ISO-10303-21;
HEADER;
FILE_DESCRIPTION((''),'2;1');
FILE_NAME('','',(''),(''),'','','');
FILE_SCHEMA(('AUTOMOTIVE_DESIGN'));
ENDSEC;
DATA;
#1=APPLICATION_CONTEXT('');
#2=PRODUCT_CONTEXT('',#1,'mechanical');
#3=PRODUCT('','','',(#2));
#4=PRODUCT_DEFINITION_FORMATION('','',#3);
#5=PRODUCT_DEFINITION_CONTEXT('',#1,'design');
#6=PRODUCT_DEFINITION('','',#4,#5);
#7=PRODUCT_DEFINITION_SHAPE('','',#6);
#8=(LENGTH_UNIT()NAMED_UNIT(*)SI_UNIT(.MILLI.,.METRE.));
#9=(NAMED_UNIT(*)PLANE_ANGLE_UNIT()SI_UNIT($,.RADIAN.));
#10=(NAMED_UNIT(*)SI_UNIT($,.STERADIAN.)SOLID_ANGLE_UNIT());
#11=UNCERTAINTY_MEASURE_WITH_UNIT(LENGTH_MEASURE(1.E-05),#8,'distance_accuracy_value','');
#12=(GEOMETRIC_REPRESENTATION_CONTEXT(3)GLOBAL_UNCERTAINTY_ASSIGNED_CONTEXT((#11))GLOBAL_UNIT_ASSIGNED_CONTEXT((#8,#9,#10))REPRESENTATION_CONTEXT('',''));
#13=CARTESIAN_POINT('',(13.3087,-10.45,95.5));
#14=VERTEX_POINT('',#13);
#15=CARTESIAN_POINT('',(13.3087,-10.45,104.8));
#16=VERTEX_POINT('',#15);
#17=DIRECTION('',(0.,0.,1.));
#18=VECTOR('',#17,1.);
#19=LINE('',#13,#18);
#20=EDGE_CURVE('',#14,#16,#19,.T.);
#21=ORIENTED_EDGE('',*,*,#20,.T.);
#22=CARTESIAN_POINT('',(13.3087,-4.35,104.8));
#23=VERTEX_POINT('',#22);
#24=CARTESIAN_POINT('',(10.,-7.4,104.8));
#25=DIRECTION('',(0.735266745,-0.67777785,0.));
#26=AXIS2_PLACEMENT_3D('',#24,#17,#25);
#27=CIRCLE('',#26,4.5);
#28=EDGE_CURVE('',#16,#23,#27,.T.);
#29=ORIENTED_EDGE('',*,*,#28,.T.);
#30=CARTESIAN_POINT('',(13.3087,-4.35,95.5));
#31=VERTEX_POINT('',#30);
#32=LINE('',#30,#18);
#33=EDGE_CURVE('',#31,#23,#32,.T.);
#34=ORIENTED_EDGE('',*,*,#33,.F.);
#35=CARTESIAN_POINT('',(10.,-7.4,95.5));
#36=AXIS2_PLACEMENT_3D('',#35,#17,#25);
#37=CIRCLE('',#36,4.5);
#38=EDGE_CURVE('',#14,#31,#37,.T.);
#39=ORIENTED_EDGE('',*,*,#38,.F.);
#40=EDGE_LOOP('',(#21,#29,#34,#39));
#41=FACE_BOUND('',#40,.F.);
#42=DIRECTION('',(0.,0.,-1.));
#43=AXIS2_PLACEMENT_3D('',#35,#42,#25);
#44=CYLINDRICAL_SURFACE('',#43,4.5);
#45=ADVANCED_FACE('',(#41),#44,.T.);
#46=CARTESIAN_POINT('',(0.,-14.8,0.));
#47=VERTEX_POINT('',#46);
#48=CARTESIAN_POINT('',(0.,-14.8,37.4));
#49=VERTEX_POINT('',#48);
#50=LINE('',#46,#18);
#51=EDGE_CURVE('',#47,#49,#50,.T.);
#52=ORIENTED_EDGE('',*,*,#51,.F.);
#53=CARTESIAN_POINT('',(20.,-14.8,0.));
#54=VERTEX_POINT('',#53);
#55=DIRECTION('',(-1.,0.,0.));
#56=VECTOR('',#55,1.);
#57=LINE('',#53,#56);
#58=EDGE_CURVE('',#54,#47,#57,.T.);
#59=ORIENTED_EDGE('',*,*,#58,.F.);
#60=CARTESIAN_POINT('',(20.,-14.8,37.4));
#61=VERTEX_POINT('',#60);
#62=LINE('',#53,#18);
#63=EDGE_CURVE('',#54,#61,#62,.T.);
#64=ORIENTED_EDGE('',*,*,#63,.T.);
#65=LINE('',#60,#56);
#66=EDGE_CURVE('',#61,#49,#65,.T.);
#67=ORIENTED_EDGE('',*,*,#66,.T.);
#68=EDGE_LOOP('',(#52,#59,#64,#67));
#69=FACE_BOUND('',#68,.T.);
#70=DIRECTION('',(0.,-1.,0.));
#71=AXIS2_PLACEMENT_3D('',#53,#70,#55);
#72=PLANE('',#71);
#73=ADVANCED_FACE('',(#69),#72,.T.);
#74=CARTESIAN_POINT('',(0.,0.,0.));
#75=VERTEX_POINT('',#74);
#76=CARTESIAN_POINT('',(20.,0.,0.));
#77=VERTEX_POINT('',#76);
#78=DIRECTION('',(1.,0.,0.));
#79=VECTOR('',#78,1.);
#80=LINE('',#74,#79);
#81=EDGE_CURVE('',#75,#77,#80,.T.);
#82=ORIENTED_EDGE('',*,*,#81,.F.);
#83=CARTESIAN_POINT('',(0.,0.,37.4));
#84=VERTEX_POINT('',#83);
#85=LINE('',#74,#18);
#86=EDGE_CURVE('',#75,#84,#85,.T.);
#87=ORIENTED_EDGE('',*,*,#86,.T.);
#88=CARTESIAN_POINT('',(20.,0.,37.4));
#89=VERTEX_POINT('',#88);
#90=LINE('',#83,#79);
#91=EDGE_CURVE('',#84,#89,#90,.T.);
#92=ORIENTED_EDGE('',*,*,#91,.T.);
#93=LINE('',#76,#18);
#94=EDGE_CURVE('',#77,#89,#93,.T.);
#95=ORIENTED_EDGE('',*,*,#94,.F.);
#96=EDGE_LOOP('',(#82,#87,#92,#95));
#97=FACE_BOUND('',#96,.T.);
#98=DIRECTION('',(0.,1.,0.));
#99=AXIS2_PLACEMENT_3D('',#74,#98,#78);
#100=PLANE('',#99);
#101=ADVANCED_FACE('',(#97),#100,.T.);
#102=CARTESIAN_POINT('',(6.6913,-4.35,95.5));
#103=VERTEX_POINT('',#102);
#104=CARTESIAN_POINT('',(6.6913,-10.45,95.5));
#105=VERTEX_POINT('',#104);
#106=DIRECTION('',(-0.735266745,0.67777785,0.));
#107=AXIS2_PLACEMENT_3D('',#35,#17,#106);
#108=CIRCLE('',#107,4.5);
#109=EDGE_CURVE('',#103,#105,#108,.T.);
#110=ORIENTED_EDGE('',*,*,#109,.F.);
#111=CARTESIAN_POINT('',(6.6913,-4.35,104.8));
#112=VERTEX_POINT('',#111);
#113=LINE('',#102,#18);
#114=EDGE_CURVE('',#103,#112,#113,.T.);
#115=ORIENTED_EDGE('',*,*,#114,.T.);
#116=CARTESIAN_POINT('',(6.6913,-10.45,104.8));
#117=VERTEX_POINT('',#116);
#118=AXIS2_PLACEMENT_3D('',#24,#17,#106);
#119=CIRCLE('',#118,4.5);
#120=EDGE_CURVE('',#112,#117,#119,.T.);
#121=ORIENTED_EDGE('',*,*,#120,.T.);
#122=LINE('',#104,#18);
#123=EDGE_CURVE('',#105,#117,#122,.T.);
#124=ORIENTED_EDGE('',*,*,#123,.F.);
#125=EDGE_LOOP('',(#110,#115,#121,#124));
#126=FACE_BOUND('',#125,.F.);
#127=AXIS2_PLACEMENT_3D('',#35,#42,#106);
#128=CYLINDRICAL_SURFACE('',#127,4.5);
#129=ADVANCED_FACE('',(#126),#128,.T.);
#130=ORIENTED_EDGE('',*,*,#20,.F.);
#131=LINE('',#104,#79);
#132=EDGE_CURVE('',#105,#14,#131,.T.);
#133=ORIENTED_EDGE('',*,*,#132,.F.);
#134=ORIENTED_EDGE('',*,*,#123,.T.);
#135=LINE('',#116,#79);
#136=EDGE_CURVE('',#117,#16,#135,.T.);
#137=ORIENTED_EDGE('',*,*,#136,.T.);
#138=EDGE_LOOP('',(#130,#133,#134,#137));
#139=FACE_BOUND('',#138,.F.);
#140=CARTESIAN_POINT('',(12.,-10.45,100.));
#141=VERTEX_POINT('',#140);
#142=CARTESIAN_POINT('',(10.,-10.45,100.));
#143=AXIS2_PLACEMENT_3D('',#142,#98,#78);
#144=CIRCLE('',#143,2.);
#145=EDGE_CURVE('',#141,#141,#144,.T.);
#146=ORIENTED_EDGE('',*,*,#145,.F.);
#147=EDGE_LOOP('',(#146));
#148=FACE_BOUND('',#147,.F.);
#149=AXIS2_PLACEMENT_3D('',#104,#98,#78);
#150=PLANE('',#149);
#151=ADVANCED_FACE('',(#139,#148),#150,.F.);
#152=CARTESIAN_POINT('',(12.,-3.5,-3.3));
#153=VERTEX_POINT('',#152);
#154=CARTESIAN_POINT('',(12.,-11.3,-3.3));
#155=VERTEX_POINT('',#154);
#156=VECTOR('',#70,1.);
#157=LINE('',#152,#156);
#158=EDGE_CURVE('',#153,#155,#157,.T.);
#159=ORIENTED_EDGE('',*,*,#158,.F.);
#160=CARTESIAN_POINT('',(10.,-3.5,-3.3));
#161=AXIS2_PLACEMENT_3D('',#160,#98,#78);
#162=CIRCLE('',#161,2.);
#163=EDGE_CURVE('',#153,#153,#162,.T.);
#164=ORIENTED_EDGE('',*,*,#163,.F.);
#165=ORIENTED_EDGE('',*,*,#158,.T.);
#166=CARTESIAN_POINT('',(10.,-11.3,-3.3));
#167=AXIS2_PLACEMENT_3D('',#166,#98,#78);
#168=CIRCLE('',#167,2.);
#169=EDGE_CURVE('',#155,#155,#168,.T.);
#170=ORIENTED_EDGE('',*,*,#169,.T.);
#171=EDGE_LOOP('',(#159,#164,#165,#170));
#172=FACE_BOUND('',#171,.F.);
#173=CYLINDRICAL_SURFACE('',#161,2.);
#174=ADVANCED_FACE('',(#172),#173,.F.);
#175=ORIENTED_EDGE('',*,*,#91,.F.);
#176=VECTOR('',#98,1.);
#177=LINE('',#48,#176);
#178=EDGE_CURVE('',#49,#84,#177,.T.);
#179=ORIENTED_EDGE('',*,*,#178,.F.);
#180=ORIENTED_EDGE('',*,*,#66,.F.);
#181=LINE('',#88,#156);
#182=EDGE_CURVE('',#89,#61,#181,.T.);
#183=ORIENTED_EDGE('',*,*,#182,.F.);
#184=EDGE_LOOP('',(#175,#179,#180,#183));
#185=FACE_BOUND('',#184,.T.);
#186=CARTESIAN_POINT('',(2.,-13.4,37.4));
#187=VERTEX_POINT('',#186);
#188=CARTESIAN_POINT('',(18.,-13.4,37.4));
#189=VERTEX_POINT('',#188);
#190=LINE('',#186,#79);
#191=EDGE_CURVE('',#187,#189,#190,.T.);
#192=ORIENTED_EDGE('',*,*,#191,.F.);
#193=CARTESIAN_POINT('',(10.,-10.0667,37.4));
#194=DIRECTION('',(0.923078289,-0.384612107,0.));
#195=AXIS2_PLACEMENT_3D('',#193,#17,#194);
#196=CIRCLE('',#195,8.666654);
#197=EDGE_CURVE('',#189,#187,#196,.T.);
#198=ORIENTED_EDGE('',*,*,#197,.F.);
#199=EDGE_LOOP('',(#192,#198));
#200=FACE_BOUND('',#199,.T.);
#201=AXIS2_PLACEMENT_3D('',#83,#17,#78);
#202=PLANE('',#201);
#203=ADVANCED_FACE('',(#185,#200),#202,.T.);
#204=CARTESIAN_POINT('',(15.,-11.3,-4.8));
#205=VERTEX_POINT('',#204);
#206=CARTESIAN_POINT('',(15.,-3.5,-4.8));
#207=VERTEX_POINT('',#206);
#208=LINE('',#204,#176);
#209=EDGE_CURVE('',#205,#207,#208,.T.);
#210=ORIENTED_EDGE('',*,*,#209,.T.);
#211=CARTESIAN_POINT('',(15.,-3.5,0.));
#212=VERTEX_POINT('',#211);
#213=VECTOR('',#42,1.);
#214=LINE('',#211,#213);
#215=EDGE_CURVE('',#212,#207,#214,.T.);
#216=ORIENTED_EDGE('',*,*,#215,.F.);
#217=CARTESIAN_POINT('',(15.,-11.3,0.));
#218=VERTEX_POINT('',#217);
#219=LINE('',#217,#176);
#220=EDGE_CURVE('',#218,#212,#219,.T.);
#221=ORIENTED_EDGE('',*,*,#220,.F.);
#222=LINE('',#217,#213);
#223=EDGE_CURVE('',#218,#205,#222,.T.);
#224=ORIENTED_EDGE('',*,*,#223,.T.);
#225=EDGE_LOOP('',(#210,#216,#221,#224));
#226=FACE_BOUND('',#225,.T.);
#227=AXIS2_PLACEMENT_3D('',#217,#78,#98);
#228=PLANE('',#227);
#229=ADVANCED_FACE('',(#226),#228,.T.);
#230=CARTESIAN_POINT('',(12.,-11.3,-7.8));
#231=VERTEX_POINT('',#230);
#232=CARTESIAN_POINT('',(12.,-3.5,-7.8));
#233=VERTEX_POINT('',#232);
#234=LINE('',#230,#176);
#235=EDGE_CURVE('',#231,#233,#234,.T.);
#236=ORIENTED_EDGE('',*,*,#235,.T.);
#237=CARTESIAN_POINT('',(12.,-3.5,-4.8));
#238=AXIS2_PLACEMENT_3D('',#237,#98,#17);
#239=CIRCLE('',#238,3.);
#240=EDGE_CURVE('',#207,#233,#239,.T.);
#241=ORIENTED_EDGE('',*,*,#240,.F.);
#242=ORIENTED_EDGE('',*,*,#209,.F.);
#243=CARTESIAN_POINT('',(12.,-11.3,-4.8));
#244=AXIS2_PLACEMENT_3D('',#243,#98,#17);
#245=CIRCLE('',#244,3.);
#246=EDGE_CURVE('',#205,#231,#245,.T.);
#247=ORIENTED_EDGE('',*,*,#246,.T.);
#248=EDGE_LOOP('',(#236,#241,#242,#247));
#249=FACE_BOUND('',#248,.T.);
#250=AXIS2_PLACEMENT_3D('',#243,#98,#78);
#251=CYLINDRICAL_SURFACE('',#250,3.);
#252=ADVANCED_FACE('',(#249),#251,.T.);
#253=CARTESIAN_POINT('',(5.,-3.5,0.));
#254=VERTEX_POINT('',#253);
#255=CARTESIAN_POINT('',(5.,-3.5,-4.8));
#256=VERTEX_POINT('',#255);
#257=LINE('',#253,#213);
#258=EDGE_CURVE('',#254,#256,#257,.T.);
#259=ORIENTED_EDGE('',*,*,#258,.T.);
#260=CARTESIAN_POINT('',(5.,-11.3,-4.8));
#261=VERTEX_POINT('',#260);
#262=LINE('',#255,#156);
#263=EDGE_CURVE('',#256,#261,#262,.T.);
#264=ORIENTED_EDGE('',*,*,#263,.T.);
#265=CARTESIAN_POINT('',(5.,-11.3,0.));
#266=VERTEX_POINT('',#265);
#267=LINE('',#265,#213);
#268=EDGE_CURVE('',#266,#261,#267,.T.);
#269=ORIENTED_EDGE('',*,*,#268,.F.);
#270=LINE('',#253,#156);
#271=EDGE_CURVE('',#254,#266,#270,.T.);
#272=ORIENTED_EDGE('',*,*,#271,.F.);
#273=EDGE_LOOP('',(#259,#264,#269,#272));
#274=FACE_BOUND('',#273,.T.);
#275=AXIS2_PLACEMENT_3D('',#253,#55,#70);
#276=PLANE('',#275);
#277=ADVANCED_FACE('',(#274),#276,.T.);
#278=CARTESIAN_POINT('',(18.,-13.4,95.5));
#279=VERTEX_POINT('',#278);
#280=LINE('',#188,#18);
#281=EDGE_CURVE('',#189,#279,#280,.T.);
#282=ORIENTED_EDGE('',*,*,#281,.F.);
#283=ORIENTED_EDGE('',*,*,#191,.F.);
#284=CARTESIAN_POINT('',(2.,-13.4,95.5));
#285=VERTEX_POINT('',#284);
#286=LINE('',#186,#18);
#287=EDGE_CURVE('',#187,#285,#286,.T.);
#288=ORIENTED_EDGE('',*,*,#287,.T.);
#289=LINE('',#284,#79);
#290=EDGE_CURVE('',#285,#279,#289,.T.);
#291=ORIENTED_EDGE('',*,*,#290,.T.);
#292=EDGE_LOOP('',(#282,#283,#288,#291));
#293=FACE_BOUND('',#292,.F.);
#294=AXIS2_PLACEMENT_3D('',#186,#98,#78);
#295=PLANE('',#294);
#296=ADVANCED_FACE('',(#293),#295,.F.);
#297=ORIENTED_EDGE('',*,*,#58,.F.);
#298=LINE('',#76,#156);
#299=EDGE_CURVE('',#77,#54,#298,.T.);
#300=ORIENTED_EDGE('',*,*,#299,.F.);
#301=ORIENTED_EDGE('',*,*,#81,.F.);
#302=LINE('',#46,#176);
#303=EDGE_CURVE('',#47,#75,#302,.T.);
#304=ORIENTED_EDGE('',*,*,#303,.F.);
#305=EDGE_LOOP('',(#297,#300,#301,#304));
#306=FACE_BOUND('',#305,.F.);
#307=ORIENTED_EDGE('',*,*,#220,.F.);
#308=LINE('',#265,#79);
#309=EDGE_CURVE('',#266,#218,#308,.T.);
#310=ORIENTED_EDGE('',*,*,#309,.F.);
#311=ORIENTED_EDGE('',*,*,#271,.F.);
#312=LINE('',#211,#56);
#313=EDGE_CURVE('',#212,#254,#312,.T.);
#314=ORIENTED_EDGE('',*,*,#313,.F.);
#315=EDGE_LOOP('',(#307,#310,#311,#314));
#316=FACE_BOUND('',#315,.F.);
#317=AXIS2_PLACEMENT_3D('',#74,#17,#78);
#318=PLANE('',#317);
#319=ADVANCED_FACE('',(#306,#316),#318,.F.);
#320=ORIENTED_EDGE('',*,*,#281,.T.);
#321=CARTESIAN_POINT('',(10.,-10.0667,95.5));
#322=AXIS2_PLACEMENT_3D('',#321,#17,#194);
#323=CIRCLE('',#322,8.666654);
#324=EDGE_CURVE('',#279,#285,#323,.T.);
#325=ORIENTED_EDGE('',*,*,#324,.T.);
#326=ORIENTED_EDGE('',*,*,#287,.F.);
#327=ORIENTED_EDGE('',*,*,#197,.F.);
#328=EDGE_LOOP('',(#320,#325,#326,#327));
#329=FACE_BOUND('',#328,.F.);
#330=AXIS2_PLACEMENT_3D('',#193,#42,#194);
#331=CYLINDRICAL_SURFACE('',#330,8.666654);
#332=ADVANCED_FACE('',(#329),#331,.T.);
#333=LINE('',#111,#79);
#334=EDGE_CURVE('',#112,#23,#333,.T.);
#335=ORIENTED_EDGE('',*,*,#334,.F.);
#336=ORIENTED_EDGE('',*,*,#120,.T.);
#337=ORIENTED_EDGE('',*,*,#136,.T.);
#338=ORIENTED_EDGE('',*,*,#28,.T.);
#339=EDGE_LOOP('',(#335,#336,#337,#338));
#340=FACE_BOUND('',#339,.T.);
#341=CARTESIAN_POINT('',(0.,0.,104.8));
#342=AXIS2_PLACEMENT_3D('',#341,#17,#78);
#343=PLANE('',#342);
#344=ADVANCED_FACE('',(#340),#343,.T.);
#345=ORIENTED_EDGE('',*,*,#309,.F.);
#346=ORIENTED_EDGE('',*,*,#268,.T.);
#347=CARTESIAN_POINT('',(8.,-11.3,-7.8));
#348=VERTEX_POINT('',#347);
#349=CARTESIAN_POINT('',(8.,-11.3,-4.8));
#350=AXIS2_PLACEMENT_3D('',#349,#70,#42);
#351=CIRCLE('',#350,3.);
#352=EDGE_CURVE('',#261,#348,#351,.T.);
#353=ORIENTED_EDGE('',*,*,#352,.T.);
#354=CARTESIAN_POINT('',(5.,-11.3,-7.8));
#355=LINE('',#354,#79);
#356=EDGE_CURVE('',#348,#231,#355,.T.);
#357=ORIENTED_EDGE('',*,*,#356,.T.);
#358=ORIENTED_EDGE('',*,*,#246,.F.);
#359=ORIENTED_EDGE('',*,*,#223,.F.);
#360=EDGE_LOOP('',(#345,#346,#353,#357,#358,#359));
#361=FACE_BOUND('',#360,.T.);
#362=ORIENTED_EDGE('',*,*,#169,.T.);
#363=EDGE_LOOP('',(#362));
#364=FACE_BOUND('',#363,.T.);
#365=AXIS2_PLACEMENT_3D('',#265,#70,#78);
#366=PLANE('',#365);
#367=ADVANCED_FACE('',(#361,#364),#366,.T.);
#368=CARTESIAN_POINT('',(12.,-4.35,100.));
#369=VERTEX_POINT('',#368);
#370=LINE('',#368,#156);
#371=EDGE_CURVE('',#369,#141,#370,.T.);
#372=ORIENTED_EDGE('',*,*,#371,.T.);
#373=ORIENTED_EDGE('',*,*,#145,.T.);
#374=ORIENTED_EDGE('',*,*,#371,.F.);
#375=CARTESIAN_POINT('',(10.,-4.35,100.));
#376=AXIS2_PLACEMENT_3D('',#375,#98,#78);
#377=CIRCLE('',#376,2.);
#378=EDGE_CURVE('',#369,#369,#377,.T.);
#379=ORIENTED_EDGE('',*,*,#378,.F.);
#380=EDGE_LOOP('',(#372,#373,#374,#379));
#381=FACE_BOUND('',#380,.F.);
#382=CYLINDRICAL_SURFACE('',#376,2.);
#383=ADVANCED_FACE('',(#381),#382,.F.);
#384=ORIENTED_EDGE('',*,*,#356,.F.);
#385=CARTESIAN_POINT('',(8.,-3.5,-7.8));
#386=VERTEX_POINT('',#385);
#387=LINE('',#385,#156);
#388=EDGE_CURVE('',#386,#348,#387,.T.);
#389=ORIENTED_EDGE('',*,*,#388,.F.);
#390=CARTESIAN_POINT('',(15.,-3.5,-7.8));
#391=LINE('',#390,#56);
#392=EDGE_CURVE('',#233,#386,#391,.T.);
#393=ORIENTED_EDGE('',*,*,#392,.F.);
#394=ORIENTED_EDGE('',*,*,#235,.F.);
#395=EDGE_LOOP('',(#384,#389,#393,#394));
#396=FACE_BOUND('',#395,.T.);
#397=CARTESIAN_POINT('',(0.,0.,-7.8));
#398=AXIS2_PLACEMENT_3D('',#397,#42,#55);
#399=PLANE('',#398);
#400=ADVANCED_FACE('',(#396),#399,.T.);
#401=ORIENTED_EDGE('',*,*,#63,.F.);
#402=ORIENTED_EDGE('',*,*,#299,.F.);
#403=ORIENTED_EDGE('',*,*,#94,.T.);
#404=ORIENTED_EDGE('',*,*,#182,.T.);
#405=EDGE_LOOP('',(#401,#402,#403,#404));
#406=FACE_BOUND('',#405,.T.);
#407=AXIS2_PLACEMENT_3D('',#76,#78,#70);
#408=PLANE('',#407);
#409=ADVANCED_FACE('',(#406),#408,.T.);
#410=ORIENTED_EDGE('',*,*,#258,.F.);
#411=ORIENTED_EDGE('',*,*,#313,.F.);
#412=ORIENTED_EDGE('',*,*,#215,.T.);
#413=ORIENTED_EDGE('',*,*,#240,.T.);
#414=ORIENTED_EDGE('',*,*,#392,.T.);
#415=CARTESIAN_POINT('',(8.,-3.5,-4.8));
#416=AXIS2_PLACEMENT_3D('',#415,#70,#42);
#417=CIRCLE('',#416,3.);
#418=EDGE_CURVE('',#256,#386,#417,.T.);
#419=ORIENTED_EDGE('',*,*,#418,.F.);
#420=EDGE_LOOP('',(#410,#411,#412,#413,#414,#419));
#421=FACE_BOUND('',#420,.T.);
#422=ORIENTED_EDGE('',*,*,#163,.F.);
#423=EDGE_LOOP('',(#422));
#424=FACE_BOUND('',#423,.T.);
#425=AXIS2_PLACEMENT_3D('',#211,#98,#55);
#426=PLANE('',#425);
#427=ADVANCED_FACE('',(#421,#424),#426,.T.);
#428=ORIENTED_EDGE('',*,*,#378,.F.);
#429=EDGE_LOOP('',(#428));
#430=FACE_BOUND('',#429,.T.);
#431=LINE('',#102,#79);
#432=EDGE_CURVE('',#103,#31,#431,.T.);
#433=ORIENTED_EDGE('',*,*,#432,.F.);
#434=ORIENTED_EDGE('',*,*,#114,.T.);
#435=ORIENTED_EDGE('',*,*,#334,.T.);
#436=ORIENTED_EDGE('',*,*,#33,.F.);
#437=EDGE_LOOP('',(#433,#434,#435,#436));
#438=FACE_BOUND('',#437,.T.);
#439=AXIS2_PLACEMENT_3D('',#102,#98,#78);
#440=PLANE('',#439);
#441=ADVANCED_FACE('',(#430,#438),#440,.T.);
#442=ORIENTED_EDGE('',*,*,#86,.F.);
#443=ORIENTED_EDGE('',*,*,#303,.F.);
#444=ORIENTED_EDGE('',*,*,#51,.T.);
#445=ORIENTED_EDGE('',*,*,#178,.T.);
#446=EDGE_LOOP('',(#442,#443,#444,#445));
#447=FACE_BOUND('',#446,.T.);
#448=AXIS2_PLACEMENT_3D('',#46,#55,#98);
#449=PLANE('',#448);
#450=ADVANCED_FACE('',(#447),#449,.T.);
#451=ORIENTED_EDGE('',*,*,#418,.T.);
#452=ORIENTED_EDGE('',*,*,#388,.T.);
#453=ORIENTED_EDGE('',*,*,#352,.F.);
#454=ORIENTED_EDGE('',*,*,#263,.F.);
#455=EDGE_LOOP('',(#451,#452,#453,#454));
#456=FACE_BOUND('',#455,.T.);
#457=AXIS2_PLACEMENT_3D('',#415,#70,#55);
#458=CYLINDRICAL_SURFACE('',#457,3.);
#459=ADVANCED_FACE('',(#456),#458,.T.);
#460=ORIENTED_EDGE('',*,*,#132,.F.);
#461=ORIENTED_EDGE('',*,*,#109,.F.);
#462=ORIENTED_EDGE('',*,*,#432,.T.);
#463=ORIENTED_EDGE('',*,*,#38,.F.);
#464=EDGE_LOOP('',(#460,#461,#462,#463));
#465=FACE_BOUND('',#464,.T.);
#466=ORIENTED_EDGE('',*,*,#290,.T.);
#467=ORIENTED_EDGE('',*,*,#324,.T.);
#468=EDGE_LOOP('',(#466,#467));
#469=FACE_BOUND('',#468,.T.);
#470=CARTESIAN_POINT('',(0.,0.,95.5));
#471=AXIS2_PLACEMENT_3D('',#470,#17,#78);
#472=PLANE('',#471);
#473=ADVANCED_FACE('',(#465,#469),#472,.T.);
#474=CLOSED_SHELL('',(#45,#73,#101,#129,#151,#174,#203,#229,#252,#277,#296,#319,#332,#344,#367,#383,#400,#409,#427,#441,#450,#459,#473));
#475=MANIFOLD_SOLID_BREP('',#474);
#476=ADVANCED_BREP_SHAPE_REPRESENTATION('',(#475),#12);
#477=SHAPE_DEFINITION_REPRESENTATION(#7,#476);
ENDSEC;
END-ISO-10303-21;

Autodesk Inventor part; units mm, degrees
ref_plane "YZ Plane" through (0, 0, 0) normal (1, 0, 0) x (0, 1, 0)
ref_plane "XZ Plane" through (0, 0, 0) normal (0, 1, 0) x (-1, 0, 0)
ref_plane "XY Plane" through (0, 0, 0) normal (0, 0, 1) x (1, 0, 0)
sketch "Sketch1" plane through (0, 0, 0) normal (0, 0, 1) x (1, 0, 0)
  line L0 (0, 0) -> (20, 0)
  line L1 (20, 0) -> (20, -14.8)
  line L2 (20, -14.8) -> (0, -14.8)
  line L3 (0, -14.8) -> (0, 0)
  dimension "d0" = 20
  dimension "d1" = 14.8
extrude "Extrusion1" add sketch "Sketch1" along normal blind 37.4
sketch "Sketch2" plane through (0, 0, 37.4) normal (0, 0, 1) x (1, 0, 0)
  line L0 (0, 0) -> (0, -14.8) projected
  line L1 (20, 0) -> (0, 0) projected
  line L2 (2, -13.4) -> (18, -13.4)
  arc A0 (18, -13.4) -> (2, -13.4) centre (10, -10.0667) ccw
  point P0 (10, -7.4)
  point P1 (10, -13.4)
extrude "Extrusion2" add sketch "Sketch2" along normal blind 58.1
sketch "Sketch3" plane through (0, 0, 95.5) normal (0, 0, 1) x (1, 0, 0)
  arc A0 (18, -13.4) -> (2, -13.4) centre (10, -10.0667) ccw projected
  line L0 (2, -13.4) -> (18, -13.4) projected
  line L1 (2, -13.4) -> (2, -13.4)
  line L2 (2, -13.4) -> (2, -13.4) construction
  line L3 (10, -13.4) -> (22, -13.4) construction
  line L4 (18, -13.4) -> (2, -13.4) projected
  line L5 (0, -14.8) -> (20, -14.8) projected
  line L6 (6.6913, -4.35) -> (13.3087, -4.35)
  line L7 (6.6913, -10.45) -> (13.3087, -10.45)
  arc A1 (6.6913, -4.35) -> (6.6913, -10.45) centre (10, -7.4) ccw
  arc A2 (13.3087, -10.45) -> (13.3087, -4.35) centre (10, -7.4) ccw
  point P0 (0, 0)
  dimension "d12" = 90
extrude "Extrusion3" add sketch "Sketch3" along normal blind 9.3 contours L6 A2 L7 A1
sketch "Sketch4" plane through (6.6913, -4.35, 95.5) normal (0, 1, 0) x (1, 0, 0)
  circle A0 centre (3.3087, -4.5) radius 2
  line L0 (-5.358, 0) -> (11.9754, 0) projected
  point P0 (-6.6913, 95.5)
  point P1 (11.3087, 0)
  point P2 (-4.6913, 0)
  dimension "d21" = 4
  dimension "d22" = 4.5
extrude "Extrusion4" cut sketch "Sketch4" against normal through all
sketch "Sketch5" plane through (0, 0, 0) normal (0, 0, -1) x (-1, 0, 0)
  line L0 (-15, -3.5) -> (-5, -3.5)
  line L1 (-5, -3.5) -> (-5, -11.3)
  line L2 (-5, -11.3) -> (-15, -11.3)
  line L3 (-15, -11.3) -> (-15, -3.5)
  line L4 (-15, -3.5) -> (-5, -11.3) construction
  line L5 (-5, -3.5) -> (-15, -11.3) construction
  line L6 (-20, 0) -> (0, 0) projected
  line L7 (0, -14.8) -> (-20, -14.8) projected
  line L8 (0, 0) -> (0, -14.8) projected
  line L9 (-20, 0) -> (0, 0) projected
  line L10 (-20, -14.8) -> (-20, 0) projected
  point P0 (-10, -7.4)
  point P1 (0, -7.4)
  point P2 (-10, -7.4)
  dimension "d25" = 7.8
  dimension "d26" = 10
  dimension "d27" = 10
extrude "Extrusion5" add sketch "Sketch5" along normal blind 7.8 contours L0 L1 L2 L3
sketch "Sketch6" plane through (5, -3.5, 0) normal (0, 1, 0) x (1, 0, 0)
  circle A0 centre (5, 3.3) radius 2
  line L0 (0, 7.8) -> (10, 7.8) projected
  line L1 (0, 0) -> (0, 7.8) projected
  point P0 (-5, 0)
  point P1 (5, 7.8)
  dimension "d30" = 4
  dimension "d31" = 4.5
  dimension "d32" = 5
extrude "Extrusion6" cut sketch "Sketch6" against normal through all
fillet "Fillet1" radius 3 2 edges at (15, -7.4, -7.8) (5, -7.4, -7.8)
properties part number "actuator"
